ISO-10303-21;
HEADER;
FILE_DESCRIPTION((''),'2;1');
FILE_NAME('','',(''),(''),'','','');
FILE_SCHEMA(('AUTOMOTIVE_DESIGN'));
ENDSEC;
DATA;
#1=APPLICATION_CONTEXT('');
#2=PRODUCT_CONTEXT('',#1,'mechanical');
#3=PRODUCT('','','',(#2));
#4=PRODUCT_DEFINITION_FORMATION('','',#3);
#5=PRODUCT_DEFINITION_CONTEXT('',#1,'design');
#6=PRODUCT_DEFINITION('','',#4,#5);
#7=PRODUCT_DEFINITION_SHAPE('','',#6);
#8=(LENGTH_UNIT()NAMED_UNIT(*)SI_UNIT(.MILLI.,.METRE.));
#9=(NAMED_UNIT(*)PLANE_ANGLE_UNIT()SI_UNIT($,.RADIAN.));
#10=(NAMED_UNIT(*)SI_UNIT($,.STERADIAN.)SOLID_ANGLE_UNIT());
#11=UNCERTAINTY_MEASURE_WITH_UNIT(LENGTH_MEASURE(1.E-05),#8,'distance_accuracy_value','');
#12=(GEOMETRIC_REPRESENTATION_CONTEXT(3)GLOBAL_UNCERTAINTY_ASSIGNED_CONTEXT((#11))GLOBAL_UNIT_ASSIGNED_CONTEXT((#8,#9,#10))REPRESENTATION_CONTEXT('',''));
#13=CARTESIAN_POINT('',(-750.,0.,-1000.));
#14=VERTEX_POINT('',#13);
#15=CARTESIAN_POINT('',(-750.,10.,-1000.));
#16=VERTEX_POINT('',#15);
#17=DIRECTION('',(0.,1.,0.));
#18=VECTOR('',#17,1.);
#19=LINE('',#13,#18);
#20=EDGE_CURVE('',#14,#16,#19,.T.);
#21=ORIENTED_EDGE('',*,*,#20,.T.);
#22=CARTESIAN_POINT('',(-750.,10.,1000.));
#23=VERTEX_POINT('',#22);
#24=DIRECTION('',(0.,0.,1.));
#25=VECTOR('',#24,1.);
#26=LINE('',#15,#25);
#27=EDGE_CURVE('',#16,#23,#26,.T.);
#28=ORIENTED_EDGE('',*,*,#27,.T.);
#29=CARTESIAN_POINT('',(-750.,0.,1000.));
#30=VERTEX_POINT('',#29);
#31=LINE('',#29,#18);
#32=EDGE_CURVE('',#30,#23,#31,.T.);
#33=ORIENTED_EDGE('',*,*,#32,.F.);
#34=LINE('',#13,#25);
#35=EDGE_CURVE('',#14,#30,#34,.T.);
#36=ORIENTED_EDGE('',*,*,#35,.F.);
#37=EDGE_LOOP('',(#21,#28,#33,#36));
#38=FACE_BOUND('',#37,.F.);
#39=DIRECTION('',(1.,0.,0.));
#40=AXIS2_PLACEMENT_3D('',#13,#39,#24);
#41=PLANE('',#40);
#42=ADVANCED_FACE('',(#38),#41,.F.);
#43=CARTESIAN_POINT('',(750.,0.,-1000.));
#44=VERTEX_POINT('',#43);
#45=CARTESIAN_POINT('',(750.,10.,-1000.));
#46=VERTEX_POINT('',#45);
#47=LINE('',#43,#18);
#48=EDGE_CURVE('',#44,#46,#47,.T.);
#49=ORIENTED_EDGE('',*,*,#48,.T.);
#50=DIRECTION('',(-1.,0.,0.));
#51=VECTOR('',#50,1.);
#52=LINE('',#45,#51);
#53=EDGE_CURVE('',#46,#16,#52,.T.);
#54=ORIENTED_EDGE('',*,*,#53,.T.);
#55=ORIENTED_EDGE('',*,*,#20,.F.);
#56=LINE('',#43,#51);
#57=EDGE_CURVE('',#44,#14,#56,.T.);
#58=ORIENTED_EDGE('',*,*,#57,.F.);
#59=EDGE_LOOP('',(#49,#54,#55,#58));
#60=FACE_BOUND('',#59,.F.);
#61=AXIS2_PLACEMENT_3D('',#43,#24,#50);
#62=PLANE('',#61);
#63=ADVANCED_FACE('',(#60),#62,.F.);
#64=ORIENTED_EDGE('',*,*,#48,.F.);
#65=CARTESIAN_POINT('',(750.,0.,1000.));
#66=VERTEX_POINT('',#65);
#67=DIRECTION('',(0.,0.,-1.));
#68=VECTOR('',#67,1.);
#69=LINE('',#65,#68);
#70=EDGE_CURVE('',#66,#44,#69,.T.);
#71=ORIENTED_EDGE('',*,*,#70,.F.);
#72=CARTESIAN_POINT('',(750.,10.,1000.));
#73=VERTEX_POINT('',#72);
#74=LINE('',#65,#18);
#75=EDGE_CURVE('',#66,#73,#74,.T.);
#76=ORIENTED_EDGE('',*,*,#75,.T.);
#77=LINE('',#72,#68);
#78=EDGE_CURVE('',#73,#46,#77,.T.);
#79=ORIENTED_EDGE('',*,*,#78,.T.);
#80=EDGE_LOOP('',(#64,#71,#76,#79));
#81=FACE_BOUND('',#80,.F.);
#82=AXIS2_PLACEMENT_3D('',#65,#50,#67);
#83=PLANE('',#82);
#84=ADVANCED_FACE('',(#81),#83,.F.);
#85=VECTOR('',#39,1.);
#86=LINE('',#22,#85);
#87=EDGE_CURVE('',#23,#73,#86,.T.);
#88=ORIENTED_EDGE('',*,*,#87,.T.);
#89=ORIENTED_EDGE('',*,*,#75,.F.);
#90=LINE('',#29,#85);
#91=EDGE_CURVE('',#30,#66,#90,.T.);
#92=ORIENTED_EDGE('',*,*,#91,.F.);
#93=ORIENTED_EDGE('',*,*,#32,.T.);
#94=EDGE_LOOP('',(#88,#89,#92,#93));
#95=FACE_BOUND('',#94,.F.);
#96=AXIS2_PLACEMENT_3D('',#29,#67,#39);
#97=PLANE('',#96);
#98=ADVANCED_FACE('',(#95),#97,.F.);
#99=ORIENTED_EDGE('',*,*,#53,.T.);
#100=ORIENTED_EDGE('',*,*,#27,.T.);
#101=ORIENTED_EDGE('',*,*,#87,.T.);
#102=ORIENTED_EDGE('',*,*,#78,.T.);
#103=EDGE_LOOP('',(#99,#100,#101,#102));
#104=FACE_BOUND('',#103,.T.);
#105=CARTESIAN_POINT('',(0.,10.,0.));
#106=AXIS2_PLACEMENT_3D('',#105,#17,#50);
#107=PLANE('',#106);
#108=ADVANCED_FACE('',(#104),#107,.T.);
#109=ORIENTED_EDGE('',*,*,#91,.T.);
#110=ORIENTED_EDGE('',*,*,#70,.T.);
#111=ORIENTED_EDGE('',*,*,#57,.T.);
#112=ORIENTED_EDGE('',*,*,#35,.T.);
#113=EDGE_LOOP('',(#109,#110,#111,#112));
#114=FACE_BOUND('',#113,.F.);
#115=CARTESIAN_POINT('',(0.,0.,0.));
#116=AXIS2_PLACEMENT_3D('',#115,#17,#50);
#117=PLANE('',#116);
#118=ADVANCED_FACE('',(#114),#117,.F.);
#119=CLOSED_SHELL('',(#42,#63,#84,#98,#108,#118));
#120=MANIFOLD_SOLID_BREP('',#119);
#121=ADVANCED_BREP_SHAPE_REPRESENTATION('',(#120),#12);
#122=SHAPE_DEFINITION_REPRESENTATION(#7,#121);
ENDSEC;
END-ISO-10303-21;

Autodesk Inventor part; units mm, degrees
sketch "Sketch1" plane through (0, 0, 0) normal (0, 1, 0) x (-1, 0, 0)
  line L0 (-750, -1000) -> (750, -1000)
  line L1 (750, -1000) -> (750, 1000)
  line L2 (750, 1000) -> (-750, 1000)
  line L3 (-750, 1000) -> (-750, -1000)
  line L4 (-750, -1000) -> (750, 1000) construction
  line L5 (750, -1000) -> (-750, 1000) construction
  point P0 (0, 0)
  dimension "d0" = 1500
  dimension "d1" = 2000
extrude "Extrusion1" add sketch "Sketch1" along normal blind 10
properties part number "ground" material "PET Plastic"
